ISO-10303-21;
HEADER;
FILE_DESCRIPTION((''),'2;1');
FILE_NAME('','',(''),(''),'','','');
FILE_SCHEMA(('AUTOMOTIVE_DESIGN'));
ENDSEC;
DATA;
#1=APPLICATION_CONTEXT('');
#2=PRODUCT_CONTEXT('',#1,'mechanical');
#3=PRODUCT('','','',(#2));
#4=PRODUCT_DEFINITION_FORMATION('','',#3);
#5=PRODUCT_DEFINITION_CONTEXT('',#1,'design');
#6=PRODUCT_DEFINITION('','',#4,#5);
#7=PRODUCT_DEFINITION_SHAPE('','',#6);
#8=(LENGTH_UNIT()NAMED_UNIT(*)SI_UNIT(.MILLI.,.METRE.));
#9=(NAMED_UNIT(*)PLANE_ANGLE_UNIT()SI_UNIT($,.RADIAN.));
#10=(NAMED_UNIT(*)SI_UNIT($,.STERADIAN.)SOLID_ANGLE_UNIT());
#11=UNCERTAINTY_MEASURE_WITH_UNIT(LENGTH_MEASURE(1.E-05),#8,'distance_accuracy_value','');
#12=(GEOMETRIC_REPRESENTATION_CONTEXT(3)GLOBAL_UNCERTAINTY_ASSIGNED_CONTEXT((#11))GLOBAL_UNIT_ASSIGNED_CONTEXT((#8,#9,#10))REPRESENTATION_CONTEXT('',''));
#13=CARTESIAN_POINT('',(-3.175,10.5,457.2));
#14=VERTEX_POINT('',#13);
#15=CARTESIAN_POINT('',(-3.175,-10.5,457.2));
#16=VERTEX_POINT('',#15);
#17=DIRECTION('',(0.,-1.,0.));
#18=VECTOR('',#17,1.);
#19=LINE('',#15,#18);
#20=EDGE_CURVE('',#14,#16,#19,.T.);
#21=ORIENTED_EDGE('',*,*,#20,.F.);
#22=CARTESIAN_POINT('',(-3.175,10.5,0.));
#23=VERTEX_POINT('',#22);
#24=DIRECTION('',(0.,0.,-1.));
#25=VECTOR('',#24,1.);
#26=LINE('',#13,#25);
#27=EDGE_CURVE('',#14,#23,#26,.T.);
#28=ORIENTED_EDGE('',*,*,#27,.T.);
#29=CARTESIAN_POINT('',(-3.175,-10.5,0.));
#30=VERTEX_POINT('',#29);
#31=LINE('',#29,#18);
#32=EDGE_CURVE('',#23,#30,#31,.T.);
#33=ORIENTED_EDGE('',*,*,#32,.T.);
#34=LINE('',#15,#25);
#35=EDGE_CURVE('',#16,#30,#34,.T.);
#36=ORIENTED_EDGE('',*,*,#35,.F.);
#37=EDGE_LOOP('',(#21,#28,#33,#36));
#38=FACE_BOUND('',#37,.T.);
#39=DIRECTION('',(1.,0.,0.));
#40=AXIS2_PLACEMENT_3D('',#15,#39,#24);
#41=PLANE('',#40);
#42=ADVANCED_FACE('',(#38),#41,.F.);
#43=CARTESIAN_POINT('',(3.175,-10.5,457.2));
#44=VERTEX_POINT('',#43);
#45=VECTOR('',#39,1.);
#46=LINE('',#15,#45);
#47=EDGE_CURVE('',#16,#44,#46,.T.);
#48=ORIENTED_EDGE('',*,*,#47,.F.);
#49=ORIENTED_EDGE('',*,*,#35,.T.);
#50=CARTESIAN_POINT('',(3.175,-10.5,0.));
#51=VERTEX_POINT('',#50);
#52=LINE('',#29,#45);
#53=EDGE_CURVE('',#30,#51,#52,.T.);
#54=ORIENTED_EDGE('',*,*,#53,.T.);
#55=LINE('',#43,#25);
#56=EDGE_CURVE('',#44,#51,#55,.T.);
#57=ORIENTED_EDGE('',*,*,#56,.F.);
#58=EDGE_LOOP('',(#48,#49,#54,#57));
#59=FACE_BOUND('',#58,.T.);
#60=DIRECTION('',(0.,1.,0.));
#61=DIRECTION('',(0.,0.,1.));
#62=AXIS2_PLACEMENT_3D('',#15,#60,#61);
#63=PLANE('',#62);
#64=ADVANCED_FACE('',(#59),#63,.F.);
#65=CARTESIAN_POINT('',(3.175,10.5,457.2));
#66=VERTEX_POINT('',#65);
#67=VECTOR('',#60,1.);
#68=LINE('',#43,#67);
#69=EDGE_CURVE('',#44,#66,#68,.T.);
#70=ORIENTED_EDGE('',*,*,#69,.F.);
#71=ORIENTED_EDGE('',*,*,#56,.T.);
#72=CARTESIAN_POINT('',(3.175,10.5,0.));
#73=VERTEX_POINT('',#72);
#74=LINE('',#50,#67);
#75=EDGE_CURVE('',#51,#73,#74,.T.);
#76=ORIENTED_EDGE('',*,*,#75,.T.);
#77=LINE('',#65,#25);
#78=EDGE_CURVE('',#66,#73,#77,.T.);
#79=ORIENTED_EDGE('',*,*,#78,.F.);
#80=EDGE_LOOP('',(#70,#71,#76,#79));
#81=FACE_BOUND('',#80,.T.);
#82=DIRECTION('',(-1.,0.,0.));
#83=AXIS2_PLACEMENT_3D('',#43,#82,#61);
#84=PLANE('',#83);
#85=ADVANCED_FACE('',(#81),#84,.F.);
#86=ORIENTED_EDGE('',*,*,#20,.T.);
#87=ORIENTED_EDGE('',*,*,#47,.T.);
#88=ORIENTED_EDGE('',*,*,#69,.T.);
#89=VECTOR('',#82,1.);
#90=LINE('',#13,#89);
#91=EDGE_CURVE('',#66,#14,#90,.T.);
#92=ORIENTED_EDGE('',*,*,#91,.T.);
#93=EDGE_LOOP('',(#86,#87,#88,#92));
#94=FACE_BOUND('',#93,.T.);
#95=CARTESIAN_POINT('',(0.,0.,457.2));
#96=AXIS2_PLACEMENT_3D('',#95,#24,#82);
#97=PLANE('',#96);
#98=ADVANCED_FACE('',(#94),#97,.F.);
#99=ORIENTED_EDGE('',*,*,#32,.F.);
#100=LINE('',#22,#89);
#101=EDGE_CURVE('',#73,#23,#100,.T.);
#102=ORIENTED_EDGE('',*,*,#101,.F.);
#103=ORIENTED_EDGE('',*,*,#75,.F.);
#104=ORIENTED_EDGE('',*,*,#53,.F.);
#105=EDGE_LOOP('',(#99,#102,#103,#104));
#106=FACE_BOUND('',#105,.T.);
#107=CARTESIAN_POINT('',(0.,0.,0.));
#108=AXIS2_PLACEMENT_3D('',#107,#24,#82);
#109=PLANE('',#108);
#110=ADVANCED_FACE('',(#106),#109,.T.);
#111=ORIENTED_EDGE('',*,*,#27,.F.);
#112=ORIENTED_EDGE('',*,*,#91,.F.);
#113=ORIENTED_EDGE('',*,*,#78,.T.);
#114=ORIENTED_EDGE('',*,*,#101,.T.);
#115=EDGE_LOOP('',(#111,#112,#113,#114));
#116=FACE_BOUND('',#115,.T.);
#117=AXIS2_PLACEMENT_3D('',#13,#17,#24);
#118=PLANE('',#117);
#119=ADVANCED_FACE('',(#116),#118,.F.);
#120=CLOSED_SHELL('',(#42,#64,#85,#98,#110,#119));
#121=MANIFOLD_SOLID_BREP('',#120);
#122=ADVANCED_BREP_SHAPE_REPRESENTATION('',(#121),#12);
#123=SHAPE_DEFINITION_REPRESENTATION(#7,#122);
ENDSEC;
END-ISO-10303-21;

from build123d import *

# Parameters (mm, degrees)
SKETCH1_W           = 6.35
SKETCH1_H           = 21
BOSS_EXTRUDE1_DEPTH = 457.2


with BuildPart() as part:
    # Sketch1 → Boss-Extrude1 (new body)
    with BuildSketch(Plane.XY):
        Rectangle(SKETCH1_W, SKETCH1_H)
    extrude(amount=BOSS_EXTRUDE1_DEPTH)


solid = part.part
